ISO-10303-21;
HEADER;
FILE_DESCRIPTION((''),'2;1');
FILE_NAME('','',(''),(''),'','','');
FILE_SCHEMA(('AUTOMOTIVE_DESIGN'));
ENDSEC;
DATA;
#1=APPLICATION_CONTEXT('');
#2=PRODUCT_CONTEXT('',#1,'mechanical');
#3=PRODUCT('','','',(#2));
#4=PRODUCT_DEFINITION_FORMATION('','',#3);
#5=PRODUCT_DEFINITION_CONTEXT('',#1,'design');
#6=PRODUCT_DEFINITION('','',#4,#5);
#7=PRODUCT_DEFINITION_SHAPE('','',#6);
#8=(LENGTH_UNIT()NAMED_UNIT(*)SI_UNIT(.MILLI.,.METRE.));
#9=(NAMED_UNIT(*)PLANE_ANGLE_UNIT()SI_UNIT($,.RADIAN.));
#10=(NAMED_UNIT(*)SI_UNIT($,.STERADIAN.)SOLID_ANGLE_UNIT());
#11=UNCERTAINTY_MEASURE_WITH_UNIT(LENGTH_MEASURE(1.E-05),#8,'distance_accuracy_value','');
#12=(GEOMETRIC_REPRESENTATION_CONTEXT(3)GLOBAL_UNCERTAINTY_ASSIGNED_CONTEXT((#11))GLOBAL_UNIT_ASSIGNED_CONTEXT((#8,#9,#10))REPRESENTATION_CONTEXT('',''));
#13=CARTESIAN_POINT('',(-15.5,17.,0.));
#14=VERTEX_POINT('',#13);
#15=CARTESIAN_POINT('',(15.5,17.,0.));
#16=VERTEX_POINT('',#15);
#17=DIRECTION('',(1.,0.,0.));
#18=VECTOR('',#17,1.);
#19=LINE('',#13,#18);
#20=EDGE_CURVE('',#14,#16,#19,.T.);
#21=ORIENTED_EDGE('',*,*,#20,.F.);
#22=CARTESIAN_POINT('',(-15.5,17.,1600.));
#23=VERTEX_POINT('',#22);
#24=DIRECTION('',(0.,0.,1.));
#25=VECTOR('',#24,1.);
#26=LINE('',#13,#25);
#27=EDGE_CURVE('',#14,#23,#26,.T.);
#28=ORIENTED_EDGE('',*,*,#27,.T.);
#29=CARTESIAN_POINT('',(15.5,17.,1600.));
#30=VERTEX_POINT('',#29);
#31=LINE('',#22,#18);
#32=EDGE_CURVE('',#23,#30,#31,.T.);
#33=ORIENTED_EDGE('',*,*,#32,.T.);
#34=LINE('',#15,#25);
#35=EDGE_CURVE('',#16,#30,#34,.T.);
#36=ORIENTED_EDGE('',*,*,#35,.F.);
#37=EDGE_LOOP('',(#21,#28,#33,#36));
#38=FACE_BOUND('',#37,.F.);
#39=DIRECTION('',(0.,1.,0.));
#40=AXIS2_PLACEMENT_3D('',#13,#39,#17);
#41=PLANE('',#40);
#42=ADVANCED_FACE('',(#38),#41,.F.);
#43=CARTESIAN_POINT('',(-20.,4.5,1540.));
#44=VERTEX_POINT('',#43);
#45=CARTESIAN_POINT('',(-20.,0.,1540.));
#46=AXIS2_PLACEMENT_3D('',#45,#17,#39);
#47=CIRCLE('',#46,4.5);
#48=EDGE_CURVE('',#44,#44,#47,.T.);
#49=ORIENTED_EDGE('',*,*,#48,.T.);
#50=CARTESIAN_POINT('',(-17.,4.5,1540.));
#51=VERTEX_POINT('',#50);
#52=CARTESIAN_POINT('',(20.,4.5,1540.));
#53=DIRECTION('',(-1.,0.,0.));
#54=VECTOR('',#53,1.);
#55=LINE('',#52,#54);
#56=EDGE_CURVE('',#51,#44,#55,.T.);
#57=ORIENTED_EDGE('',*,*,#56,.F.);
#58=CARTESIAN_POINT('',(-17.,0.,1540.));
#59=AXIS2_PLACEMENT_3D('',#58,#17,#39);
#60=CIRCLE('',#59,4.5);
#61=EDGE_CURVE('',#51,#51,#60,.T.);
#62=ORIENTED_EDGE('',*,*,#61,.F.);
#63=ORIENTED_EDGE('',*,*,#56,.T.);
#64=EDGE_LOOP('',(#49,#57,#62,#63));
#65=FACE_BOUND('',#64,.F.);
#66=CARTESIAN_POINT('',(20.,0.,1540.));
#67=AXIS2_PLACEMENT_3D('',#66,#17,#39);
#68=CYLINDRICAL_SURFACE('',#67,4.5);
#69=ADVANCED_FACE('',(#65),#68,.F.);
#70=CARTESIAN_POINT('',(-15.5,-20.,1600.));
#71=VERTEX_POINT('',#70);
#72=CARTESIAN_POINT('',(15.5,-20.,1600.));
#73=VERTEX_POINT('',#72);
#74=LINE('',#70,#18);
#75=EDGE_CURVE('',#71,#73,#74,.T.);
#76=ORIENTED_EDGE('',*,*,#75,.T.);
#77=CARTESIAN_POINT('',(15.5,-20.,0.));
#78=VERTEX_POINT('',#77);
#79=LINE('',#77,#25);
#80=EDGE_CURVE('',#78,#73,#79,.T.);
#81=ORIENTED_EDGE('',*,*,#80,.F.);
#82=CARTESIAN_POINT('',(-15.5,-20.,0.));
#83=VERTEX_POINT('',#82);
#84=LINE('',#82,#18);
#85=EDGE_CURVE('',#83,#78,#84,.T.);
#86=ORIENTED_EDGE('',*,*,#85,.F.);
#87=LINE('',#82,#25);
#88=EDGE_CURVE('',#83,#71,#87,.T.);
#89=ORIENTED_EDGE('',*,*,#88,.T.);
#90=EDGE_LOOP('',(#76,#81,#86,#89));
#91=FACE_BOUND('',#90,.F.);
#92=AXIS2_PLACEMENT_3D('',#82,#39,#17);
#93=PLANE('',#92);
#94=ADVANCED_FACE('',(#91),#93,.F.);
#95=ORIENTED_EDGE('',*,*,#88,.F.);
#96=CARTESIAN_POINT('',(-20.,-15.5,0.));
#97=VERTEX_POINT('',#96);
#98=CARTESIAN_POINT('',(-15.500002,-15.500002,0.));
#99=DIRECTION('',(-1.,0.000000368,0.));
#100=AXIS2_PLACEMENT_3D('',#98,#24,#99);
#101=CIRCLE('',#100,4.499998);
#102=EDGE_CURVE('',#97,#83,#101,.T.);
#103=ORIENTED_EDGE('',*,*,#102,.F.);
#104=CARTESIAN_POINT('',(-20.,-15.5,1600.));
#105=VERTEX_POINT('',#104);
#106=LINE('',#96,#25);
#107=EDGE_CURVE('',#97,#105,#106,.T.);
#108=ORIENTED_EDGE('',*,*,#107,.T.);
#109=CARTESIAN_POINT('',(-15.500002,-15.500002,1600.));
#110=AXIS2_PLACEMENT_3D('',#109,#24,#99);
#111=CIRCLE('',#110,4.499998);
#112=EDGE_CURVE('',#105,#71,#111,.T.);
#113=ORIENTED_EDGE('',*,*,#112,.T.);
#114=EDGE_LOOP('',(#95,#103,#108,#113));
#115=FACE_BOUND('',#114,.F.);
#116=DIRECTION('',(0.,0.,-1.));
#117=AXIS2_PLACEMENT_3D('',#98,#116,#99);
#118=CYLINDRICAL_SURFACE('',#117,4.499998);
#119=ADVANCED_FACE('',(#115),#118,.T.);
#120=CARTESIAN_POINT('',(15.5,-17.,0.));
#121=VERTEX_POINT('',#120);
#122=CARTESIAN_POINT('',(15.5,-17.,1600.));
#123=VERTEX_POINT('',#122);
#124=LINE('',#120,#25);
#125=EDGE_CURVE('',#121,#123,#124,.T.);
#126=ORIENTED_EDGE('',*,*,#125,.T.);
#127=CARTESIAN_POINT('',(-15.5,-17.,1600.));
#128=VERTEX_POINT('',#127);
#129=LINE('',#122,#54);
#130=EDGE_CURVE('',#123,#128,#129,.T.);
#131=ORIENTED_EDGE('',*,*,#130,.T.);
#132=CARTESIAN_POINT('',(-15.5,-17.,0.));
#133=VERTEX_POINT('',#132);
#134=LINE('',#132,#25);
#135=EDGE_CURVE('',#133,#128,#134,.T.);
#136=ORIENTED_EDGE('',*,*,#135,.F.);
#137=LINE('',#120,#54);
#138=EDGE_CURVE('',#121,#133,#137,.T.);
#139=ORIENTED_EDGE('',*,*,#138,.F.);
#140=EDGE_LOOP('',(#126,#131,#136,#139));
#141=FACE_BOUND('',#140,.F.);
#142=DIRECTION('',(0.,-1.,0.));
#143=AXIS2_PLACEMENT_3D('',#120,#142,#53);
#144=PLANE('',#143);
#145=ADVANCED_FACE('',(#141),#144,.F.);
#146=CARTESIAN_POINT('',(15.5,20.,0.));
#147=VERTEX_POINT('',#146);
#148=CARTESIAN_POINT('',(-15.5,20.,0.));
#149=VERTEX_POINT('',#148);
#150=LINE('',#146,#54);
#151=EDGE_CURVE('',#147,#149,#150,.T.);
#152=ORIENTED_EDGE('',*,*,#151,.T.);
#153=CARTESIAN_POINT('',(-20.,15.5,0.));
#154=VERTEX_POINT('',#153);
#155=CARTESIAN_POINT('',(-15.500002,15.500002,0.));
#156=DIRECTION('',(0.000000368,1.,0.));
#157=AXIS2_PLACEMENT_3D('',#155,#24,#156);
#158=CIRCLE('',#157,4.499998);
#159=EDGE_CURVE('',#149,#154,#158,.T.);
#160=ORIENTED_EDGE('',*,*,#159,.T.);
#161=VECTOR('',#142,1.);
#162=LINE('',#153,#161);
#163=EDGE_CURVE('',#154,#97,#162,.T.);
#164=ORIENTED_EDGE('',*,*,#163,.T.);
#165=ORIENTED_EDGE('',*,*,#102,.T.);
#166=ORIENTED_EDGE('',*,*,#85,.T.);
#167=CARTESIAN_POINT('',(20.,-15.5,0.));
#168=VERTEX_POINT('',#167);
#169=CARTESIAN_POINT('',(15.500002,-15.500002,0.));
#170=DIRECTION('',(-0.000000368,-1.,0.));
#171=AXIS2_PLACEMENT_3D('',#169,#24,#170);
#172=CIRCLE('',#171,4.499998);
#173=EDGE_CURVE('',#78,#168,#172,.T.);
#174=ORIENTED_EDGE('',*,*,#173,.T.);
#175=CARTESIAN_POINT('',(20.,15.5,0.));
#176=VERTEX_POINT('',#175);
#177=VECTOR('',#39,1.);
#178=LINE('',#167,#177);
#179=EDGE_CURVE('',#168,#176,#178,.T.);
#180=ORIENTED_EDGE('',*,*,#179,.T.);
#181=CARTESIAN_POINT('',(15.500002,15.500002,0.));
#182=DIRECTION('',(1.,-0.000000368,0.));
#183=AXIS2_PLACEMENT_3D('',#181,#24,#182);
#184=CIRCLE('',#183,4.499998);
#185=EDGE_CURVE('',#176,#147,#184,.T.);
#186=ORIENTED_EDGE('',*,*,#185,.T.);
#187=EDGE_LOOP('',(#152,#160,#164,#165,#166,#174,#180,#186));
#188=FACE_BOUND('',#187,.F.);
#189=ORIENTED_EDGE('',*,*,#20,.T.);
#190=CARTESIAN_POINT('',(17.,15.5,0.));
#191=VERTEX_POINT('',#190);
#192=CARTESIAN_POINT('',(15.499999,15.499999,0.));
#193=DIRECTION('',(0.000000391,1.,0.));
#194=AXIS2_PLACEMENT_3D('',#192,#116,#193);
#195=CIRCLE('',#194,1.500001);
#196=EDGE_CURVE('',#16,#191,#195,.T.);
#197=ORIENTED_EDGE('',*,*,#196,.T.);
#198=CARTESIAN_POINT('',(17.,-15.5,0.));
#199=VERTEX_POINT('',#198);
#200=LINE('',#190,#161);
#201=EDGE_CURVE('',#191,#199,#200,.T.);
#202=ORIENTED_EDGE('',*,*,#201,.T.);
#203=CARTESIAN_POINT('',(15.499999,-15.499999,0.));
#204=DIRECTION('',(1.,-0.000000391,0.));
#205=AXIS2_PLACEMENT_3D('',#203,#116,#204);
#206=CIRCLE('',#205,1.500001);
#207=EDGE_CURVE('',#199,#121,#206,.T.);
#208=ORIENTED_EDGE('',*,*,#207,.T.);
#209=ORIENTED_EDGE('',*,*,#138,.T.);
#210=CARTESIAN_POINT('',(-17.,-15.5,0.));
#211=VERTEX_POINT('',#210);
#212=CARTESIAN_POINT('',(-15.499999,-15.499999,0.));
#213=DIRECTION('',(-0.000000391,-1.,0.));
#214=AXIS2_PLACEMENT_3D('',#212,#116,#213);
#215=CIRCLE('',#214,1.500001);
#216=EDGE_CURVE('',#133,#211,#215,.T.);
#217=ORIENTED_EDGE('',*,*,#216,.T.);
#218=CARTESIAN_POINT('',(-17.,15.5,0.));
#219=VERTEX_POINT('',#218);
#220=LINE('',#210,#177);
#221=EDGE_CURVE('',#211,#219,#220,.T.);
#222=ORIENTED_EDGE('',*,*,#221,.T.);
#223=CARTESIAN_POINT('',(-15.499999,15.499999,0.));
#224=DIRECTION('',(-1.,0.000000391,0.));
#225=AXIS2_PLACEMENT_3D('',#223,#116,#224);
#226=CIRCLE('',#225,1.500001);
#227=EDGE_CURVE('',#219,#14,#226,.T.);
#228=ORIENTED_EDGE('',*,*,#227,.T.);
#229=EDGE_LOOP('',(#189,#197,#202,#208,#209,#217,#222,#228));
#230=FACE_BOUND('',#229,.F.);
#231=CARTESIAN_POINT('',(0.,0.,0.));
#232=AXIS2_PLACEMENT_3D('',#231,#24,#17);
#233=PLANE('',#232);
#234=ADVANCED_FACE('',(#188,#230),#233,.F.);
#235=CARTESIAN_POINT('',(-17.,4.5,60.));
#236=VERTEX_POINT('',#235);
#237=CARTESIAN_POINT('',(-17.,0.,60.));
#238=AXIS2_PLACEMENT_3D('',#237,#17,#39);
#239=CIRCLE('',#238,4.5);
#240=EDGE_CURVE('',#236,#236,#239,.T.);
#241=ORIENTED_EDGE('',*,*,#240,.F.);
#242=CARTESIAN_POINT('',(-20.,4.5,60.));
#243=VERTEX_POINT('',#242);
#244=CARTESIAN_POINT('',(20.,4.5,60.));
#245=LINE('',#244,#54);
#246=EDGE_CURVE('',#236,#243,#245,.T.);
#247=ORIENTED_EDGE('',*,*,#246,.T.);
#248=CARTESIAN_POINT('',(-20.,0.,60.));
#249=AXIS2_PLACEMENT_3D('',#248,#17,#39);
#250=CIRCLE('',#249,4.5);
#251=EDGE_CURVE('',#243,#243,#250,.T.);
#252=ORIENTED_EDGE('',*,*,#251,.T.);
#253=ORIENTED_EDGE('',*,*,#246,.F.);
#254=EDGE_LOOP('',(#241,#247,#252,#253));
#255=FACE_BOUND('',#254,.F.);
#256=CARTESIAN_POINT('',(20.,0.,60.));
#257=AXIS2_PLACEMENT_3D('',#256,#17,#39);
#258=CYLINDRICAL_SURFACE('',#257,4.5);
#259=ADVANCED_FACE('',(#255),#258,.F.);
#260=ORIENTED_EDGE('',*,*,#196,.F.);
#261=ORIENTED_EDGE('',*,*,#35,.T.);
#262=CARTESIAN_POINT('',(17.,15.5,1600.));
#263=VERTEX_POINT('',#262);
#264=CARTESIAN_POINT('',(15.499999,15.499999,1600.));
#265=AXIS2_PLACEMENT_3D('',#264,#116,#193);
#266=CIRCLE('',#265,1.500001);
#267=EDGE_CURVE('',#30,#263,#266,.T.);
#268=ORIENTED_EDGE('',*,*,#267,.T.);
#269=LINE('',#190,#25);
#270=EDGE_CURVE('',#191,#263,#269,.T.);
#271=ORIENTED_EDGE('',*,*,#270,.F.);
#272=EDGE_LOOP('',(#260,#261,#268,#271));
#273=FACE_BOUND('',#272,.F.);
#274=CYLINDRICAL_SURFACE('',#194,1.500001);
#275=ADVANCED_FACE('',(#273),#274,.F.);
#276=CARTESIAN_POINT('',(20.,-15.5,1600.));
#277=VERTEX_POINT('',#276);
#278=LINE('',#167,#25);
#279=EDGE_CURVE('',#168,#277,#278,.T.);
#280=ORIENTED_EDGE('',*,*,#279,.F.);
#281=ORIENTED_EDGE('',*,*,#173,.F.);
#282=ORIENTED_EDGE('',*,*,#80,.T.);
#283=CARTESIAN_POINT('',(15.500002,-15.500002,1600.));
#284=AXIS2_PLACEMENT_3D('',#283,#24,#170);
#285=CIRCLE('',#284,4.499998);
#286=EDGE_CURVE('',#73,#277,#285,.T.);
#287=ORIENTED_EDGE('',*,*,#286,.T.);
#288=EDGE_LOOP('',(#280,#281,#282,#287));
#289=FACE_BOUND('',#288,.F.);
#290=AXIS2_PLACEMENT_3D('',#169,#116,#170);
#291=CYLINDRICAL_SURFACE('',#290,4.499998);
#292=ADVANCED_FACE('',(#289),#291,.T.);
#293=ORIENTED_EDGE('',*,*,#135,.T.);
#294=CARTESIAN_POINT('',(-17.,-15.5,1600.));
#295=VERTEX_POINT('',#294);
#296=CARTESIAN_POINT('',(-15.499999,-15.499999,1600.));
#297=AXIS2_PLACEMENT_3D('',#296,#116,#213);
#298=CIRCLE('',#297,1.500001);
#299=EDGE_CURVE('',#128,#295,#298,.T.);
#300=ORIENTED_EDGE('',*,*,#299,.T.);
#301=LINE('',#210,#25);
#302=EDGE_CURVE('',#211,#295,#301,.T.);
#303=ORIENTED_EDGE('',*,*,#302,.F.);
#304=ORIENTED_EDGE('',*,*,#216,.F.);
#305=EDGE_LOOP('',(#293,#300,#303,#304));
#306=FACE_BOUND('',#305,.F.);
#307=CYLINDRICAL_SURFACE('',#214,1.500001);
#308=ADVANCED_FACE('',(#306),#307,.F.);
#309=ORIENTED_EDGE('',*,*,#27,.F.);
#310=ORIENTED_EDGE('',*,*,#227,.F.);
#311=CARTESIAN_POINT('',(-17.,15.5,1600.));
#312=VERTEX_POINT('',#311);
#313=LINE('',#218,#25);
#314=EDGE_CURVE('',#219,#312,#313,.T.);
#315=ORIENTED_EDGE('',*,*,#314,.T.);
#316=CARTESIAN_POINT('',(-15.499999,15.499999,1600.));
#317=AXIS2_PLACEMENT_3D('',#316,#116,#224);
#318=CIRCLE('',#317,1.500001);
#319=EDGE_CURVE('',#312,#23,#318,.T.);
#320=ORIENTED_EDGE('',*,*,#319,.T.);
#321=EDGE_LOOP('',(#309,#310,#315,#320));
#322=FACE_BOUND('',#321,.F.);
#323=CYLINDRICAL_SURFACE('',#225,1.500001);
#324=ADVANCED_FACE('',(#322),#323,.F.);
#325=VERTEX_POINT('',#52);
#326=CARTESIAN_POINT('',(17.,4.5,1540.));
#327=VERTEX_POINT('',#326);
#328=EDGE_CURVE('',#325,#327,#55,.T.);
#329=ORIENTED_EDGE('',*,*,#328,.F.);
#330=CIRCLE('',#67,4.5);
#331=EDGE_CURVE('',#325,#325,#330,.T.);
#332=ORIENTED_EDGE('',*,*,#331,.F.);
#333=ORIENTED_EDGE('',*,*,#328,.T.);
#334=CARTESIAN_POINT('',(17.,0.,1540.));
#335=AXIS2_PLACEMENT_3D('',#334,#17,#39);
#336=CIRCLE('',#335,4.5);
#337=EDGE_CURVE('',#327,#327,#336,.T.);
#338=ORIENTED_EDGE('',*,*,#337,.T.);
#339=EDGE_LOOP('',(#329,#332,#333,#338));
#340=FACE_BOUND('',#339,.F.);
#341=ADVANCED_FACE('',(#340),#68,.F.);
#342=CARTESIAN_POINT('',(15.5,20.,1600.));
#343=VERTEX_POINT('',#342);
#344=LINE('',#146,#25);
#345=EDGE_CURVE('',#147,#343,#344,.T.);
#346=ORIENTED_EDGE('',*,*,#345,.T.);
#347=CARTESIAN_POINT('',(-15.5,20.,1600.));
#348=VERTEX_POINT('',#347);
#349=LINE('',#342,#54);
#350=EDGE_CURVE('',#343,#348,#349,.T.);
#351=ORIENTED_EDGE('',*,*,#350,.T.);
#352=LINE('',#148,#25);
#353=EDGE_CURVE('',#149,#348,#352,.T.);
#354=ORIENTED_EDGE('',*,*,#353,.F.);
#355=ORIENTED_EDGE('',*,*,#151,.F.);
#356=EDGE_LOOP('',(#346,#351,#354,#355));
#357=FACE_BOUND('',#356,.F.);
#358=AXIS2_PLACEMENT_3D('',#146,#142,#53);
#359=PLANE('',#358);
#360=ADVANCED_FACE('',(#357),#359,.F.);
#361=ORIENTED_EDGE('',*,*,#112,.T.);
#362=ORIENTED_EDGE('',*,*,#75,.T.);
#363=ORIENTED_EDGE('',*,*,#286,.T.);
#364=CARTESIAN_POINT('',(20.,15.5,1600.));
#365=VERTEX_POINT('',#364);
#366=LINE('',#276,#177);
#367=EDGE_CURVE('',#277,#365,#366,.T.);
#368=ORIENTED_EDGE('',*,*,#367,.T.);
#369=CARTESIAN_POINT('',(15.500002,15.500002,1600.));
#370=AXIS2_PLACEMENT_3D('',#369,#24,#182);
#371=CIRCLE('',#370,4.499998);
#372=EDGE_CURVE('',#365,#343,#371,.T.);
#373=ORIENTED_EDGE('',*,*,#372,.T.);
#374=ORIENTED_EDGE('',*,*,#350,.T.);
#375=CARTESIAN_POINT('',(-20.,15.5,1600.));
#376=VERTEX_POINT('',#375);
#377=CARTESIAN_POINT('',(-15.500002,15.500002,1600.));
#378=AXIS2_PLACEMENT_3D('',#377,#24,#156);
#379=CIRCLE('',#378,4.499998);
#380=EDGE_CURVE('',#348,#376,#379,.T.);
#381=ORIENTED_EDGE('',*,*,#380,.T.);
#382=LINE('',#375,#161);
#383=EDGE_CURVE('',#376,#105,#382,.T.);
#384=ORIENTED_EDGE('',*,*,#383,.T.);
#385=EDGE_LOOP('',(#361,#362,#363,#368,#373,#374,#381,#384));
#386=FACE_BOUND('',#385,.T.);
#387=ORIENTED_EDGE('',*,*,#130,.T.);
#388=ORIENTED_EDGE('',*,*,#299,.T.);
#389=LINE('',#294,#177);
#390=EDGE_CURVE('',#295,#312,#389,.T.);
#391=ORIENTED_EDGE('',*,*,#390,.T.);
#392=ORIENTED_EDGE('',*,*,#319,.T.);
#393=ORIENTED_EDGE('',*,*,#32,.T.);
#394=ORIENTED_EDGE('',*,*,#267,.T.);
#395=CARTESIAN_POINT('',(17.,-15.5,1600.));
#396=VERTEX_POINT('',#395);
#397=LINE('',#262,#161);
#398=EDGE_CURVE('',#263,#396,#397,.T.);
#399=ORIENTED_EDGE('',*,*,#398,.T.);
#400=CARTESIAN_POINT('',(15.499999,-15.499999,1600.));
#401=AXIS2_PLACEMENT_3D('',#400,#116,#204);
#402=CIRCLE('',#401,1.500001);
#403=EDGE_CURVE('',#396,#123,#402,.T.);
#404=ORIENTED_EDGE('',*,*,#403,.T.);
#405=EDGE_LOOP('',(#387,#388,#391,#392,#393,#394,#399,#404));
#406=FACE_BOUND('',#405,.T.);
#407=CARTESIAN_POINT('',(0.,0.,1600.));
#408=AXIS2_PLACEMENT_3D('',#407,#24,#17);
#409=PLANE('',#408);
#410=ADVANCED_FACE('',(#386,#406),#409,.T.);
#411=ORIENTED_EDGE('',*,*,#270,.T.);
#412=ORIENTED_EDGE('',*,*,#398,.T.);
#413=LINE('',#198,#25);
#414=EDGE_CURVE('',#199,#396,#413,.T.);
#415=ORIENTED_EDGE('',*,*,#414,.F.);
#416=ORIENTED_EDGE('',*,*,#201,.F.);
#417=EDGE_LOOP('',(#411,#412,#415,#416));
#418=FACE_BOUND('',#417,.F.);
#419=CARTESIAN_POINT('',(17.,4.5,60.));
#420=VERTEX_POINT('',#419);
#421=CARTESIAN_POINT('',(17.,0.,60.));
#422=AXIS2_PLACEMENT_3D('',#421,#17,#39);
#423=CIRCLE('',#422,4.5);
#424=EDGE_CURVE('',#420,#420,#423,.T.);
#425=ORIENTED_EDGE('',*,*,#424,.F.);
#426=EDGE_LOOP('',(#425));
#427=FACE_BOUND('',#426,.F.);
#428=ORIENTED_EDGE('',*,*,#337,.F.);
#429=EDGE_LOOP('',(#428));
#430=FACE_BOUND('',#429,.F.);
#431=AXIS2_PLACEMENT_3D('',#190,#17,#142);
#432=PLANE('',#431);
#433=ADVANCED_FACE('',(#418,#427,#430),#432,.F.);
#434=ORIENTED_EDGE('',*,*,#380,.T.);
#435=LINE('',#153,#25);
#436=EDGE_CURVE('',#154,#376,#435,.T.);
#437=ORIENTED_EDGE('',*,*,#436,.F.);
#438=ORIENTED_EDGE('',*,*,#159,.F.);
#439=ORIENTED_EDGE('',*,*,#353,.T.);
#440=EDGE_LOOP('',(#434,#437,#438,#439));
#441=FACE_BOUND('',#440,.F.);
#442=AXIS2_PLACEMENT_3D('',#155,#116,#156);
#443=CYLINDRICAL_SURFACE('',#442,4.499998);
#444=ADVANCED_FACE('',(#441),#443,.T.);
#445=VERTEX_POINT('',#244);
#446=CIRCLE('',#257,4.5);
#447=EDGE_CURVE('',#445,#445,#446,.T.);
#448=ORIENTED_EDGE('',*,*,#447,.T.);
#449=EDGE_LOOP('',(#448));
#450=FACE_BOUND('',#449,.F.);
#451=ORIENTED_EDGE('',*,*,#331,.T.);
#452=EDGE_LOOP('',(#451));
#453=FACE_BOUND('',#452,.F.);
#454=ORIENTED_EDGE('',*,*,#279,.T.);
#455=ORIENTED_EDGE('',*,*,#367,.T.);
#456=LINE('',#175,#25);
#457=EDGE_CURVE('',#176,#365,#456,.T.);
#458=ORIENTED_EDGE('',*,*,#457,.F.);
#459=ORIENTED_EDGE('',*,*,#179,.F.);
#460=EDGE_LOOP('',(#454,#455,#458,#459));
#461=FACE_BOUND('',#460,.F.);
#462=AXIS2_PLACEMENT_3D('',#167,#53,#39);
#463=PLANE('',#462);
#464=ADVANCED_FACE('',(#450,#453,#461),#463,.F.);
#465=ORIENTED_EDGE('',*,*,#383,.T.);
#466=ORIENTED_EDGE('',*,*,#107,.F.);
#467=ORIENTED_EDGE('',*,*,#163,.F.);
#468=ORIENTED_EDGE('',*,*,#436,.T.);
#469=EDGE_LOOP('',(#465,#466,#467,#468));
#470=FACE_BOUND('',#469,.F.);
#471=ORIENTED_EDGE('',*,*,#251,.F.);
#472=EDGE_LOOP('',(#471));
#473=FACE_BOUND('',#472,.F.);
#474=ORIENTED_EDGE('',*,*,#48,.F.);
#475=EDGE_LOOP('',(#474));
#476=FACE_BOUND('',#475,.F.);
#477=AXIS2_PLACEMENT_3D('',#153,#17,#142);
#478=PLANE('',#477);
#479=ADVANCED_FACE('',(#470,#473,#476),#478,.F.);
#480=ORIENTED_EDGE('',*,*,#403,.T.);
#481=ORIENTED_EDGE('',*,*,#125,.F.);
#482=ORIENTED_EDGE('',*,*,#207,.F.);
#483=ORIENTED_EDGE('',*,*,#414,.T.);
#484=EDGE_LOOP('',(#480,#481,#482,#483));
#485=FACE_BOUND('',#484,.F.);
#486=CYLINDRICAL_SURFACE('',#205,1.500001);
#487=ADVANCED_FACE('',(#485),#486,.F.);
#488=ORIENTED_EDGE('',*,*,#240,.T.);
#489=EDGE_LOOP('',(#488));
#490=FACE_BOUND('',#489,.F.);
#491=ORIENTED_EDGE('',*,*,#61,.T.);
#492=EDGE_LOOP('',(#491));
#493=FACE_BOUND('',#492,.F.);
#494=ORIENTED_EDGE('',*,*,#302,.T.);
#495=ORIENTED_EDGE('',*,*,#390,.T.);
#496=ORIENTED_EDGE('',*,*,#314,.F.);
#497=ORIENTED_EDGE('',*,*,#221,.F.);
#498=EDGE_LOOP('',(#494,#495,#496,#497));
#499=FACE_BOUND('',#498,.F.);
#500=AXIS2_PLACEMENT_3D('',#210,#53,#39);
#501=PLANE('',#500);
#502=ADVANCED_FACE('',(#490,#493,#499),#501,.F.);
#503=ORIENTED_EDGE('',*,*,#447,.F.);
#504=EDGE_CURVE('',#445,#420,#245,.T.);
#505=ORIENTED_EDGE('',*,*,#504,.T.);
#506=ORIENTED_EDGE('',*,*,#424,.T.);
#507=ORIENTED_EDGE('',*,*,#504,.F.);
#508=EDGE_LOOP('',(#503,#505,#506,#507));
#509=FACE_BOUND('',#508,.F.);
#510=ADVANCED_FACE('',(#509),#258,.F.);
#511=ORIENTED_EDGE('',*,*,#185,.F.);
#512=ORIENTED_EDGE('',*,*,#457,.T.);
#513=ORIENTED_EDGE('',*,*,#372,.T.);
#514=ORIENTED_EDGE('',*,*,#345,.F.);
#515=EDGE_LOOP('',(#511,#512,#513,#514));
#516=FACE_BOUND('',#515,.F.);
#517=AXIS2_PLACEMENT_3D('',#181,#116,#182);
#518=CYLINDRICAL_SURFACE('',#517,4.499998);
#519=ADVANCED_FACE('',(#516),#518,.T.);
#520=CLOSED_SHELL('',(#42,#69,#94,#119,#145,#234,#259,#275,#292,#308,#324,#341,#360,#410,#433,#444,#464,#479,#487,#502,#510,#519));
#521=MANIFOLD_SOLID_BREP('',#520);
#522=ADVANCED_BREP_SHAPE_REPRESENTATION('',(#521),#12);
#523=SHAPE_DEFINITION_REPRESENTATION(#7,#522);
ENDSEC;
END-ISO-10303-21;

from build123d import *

# Parameters (mm, degrees)
F1_DEPTH = 1600
F2_R     = 4.5
F3_DEPTH = 40.001


with BuildPart() as f1:
    # F0 (on Top) → F1 (new body)
    with BuildSketch(Plane.XY):
        with BuildLine():
            Line((-15.5, -20), (15.5, -20))
            ThreePointArc((15.5, -20), (18.681981, -18.681981), (20, -15.5))
            Line((20, -15.5), (20, 15.5))
            ThreePointArc((20, 15.5), (18.681981, 18.681981), (15.5, 20))
            Line((15.5, 20), (-15.5, 20))
            ThreePointArc((-15.5, 20), (-18.681981, 18.681981), (-20, 15.5))
            Line((-20, 15.5), (-20, -15.5))
            ThreePointArc((-20, -15.5), (-18.681981, -18.681981), (-15.5, -20))
        make_face()
        with BuildLine():
            ThreePointArc((15.5, 17), (16.56066, 16.56066), (17, 15.5))
            Line((17, 15.5), (17, -15.5))
            ThreePointArc((17, -15.5), (16.56066, -16.56066), (15.5, -17))
            Line((15.5, -17), (-15.5, -17))
            ThreePointArc((-15.5, -17), (-16.56066, -16.56066), (-17, -15.5))
            Line((-17, -15.5), (-17, 15.5))
            ThreePointArc((-17, 15.5), (-16.56066, 16.56066), (-15.5, 17))
            Line((-15.5, 17), (15.5, 17))
        make_face(mode=Mode.SUBTRACT)
    extrude(amount=F1_DEPTH)

    # F2 (on face) → F3 (cut, through all)
    with BuildSketch(Plane.YZ.offset(20)):
        with Locations((0, 1540)):
            Circle(F2_R)
        with Locations((0, 60)):
            Circle(F2_R)
    extrude(amount=-F3_DEPTH, mode=Mode.SUBTRACT)


solid = f1.part
